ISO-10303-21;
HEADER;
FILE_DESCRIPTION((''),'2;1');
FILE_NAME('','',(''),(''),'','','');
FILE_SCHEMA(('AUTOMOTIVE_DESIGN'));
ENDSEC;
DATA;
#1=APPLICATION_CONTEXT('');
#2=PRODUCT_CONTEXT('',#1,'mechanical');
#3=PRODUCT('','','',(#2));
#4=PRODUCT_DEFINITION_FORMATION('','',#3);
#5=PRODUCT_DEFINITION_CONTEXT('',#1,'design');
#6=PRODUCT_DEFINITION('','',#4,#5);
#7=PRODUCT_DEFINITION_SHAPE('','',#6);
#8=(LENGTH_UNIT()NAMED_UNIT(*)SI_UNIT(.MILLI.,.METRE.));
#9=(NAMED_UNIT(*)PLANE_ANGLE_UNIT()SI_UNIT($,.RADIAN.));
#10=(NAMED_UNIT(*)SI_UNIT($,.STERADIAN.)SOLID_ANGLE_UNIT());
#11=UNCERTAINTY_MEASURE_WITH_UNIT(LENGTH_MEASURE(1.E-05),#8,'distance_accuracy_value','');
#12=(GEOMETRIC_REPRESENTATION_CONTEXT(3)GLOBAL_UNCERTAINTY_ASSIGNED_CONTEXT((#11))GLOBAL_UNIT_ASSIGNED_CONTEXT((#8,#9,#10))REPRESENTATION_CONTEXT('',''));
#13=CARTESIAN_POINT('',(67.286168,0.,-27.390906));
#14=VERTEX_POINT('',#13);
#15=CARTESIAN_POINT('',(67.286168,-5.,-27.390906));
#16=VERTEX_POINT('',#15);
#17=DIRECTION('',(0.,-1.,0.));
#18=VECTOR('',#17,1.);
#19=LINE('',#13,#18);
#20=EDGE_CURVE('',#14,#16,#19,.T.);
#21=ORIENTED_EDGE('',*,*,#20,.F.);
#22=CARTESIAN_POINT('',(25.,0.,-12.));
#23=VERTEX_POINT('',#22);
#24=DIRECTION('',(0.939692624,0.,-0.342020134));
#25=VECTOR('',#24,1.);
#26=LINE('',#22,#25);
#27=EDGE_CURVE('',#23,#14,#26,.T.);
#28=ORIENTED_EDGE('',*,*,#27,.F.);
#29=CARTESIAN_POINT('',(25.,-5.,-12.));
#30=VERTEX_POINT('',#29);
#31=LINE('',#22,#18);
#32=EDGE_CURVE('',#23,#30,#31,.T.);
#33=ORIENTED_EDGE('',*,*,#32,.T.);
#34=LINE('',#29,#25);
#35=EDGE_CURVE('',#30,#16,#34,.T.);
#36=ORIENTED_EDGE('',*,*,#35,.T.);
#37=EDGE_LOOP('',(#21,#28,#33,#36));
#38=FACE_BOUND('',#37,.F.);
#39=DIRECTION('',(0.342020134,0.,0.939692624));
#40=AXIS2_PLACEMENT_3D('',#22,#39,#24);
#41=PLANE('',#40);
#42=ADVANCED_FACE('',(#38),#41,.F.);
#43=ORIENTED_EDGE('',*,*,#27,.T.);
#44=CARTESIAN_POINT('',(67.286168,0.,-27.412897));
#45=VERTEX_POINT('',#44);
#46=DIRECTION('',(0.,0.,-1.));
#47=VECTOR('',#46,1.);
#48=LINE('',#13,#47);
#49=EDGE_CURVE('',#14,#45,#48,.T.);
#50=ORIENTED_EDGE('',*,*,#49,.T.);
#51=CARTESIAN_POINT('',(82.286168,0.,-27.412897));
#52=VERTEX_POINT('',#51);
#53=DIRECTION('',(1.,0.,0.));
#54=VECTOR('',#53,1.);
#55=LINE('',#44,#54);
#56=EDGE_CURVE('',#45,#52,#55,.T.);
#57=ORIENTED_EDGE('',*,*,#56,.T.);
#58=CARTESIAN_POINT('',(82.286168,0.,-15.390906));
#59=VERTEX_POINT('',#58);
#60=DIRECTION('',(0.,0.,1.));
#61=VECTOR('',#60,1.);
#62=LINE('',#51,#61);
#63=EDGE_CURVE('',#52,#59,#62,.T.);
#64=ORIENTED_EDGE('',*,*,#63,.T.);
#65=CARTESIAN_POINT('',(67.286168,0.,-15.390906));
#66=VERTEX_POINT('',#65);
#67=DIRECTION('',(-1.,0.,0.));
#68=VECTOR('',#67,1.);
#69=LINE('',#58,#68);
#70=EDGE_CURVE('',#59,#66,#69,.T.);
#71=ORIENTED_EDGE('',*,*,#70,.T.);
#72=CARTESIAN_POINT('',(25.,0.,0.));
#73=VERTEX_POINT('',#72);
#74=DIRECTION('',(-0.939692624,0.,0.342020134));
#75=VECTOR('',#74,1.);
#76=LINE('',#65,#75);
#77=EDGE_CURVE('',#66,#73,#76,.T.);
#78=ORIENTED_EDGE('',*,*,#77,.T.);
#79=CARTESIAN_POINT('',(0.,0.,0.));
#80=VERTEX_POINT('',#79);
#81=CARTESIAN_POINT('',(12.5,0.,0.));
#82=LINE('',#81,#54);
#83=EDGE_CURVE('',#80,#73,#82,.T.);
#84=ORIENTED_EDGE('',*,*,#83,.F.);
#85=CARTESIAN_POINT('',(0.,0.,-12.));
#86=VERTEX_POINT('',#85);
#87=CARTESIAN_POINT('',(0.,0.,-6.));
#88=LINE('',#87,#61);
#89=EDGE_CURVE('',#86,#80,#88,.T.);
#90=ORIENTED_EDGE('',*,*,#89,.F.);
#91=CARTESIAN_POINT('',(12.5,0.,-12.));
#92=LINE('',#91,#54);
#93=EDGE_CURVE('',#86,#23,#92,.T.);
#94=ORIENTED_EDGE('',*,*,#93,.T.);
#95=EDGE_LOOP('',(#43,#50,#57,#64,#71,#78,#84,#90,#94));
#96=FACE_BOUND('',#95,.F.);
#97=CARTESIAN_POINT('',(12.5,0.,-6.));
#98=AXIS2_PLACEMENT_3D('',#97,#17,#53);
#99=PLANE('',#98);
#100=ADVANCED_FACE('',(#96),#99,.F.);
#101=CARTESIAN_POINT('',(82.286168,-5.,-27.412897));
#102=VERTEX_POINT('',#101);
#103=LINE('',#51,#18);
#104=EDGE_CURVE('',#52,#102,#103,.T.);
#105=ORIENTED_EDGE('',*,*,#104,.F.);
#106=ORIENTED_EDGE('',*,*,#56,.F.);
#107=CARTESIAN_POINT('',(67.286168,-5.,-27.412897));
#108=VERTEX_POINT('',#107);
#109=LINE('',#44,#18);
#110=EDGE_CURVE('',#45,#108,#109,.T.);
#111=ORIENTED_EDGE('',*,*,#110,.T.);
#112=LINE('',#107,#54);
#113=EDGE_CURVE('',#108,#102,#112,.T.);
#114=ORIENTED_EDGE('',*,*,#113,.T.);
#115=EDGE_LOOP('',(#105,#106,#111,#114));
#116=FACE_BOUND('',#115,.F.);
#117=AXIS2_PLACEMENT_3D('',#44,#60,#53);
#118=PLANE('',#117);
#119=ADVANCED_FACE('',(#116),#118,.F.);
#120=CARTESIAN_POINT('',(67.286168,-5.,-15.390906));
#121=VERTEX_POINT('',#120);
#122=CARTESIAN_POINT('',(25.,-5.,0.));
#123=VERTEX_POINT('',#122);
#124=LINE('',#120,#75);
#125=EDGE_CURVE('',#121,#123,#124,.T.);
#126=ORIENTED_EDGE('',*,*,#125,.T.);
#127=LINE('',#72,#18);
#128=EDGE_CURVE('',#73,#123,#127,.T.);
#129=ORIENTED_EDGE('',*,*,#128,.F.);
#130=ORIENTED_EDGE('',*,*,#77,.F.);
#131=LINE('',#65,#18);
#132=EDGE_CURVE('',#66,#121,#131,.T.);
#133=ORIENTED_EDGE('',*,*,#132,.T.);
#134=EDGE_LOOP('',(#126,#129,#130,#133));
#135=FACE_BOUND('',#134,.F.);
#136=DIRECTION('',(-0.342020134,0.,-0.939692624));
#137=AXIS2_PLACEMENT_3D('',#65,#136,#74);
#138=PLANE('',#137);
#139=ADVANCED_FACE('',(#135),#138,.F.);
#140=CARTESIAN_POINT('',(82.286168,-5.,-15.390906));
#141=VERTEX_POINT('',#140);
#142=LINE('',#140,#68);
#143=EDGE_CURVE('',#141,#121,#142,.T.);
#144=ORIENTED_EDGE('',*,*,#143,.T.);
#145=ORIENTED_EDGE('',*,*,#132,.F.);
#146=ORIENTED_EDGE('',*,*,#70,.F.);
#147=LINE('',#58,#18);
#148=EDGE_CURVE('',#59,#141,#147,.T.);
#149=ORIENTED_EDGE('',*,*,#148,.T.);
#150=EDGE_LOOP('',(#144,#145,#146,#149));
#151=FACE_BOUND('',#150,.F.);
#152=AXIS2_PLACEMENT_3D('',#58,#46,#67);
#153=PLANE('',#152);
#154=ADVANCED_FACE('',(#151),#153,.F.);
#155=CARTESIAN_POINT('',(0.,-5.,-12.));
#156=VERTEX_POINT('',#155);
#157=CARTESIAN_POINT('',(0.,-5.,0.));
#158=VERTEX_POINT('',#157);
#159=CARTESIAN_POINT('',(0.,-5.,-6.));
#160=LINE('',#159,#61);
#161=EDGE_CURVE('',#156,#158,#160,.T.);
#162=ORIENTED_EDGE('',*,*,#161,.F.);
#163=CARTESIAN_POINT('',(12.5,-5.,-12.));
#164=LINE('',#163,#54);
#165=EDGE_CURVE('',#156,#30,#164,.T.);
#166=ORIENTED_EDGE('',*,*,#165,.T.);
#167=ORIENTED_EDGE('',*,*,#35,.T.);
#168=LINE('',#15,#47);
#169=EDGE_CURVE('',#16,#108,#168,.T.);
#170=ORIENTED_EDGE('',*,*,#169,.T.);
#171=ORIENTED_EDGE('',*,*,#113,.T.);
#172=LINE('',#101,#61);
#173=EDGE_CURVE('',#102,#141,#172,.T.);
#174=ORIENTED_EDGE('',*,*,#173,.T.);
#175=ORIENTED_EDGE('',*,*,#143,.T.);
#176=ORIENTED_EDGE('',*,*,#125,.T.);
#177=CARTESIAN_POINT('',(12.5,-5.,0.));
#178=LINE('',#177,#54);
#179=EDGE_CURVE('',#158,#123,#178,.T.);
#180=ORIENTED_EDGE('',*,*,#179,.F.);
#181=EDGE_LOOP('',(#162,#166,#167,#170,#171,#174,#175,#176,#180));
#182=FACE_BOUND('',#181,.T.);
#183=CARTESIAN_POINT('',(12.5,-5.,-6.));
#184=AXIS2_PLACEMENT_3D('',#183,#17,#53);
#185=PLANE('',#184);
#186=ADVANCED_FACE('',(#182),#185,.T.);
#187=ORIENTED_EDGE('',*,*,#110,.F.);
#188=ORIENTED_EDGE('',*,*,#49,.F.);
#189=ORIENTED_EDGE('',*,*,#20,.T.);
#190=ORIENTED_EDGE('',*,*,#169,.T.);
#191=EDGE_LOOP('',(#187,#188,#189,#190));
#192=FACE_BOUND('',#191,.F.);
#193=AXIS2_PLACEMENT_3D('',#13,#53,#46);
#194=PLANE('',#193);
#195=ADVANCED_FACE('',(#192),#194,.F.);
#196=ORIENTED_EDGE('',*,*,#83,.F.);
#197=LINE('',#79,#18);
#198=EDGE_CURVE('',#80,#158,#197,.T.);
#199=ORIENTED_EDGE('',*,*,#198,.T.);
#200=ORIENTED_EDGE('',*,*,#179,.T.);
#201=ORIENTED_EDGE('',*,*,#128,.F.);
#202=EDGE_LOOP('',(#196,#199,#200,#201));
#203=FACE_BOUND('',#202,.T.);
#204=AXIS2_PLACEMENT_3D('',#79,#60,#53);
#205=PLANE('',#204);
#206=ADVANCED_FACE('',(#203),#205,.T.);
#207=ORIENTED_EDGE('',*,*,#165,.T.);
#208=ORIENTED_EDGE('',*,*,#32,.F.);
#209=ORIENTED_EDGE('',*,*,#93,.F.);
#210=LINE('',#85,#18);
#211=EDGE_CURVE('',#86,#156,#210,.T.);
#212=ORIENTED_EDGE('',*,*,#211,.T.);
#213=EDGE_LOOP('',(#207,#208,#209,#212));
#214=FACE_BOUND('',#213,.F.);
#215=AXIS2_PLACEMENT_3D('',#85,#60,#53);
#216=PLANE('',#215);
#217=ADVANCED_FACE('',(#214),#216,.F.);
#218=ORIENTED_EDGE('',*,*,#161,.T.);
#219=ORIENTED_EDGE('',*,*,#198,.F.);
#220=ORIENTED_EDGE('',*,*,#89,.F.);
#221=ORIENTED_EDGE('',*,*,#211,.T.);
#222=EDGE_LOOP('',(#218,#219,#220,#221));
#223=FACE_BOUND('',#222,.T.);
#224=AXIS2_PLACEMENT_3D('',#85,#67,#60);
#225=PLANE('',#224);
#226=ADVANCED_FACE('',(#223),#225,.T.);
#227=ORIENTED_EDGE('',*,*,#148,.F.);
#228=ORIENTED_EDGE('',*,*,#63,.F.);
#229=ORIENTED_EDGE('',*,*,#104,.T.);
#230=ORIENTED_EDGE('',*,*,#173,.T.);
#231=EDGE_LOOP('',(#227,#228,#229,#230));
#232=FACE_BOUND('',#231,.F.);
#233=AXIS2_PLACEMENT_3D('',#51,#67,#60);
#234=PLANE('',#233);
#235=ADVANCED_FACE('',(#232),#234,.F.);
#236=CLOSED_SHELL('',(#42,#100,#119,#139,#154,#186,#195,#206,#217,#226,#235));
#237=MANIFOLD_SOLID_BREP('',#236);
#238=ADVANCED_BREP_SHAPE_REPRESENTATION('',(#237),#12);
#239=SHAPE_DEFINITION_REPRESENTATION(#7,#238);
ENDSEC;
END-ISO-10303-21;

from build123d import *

# Parameters (mm, degrees)
F0_W     = 25
F0_H     = 12
F1_DEPTH = 5


with BuildPart() as f1:
    # F0 (on Front) → F1 (new body)
    with BuildSketch(Plane.XZ):
        with Locations((12.5, -6)):
            Rectangle(F0_W, F0_H)
        Polygon((67.286168, -15.390906), (25, 0), (25, -12), (67.286168, -27.390906), (67.286168, -16.693191), align=None)
        Polygon((82.286168, -15.390906), (67.286168, -15.390906), (67.286168, -16.693191), (67.286168, -27.390906), (67.286168, -27.412897), (82.286168, -27.412897), align=None)
    extrude(amount=F1_DEPTH)


solid = f1.part
